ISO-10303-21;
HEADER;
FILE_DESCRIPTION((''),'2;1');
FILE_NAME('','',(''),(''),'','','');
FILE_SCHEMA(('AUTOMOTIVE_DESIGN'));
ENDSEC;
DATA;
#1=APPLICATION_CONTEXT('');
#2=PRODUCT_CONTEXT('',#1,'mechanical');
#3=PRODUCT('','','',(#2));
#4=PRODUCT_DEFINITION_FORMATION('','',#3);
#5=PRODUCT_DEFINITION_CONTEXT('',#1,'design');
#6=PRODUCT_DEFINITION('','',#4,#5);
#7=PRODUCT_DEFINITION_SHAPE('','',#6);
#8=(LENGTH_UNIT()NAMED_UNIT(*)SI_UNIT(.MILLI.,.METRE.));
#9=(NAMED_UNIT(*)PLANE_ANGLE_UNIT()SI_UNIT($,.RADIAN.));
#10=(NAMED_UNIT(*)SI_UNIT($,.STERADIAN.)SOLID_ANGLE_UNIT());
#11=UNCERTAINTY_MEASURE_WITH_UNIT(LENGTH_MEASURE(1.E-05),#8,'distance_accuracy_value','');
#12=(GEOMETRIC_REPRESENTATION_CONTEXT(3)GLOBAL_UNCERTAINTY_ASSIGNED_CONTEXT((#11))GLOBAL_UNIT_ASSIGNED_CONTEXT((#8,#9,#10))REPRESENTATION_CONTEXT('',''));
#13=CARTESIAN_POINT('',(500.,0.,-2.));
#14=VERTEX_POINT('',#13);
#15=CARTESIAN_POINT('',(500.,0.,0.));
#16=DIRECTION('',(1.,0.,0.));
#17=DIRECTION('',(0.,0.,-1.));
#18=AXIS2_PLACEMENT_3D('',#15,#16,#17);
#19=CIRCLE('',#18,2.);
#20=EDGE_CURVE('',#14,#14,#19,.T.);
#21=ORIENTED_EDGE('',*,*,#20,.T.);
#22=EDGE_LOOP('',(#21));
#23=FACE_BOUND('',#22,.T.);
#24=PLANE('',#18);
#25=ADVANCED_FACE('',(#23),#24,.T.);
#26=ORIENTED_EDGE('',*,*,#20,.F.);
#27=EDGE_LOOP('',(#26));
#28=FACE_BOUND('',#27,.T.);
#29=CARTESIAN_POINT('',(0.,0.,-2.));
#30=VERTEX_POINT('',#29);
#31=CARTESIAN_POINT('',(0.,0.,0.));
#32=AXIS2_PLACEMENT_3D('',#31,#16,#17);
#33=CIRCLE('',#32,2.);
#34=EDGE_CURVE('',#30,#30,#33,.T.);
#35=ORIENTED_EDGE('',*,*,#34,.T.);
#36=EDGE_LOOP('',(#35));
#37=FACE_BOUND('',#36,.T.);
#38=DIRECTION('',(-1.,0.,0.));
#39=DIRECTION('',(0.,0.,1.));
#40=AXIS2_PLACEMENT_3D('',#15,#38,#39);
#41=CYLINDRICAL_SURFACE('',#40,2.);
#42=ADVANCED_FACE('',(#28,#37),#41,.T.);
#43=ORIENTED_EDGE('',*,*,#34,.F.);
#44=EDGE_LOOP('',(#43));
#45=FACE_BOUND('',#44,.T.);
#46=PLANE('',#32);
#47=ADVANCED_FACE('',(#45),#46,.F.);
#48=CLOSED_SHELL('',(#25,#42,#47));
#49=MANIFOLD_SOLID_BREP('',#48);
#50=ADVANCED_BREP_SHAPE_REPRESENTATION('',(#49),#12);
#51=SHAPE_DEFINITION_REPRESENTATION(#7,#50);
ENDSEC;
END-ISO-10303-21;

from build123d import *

# Parameters (mm, degrees)
ESQUISSE1_R      = 2
EXTRUSION1_DEPTH = 500


with BuildPart() as part:
    # Esquisse1 → Extrusion1 (new body)
    with BuildSketch(Plane(origin=(0, 0, 0), x_dir=(0, 0, -1), z_dir=(1, 0, 0))):
        Circle(ESQUISSE1_R)
    extrude(amount=EXTRUSION1_DEPTH)


solid = part.part
